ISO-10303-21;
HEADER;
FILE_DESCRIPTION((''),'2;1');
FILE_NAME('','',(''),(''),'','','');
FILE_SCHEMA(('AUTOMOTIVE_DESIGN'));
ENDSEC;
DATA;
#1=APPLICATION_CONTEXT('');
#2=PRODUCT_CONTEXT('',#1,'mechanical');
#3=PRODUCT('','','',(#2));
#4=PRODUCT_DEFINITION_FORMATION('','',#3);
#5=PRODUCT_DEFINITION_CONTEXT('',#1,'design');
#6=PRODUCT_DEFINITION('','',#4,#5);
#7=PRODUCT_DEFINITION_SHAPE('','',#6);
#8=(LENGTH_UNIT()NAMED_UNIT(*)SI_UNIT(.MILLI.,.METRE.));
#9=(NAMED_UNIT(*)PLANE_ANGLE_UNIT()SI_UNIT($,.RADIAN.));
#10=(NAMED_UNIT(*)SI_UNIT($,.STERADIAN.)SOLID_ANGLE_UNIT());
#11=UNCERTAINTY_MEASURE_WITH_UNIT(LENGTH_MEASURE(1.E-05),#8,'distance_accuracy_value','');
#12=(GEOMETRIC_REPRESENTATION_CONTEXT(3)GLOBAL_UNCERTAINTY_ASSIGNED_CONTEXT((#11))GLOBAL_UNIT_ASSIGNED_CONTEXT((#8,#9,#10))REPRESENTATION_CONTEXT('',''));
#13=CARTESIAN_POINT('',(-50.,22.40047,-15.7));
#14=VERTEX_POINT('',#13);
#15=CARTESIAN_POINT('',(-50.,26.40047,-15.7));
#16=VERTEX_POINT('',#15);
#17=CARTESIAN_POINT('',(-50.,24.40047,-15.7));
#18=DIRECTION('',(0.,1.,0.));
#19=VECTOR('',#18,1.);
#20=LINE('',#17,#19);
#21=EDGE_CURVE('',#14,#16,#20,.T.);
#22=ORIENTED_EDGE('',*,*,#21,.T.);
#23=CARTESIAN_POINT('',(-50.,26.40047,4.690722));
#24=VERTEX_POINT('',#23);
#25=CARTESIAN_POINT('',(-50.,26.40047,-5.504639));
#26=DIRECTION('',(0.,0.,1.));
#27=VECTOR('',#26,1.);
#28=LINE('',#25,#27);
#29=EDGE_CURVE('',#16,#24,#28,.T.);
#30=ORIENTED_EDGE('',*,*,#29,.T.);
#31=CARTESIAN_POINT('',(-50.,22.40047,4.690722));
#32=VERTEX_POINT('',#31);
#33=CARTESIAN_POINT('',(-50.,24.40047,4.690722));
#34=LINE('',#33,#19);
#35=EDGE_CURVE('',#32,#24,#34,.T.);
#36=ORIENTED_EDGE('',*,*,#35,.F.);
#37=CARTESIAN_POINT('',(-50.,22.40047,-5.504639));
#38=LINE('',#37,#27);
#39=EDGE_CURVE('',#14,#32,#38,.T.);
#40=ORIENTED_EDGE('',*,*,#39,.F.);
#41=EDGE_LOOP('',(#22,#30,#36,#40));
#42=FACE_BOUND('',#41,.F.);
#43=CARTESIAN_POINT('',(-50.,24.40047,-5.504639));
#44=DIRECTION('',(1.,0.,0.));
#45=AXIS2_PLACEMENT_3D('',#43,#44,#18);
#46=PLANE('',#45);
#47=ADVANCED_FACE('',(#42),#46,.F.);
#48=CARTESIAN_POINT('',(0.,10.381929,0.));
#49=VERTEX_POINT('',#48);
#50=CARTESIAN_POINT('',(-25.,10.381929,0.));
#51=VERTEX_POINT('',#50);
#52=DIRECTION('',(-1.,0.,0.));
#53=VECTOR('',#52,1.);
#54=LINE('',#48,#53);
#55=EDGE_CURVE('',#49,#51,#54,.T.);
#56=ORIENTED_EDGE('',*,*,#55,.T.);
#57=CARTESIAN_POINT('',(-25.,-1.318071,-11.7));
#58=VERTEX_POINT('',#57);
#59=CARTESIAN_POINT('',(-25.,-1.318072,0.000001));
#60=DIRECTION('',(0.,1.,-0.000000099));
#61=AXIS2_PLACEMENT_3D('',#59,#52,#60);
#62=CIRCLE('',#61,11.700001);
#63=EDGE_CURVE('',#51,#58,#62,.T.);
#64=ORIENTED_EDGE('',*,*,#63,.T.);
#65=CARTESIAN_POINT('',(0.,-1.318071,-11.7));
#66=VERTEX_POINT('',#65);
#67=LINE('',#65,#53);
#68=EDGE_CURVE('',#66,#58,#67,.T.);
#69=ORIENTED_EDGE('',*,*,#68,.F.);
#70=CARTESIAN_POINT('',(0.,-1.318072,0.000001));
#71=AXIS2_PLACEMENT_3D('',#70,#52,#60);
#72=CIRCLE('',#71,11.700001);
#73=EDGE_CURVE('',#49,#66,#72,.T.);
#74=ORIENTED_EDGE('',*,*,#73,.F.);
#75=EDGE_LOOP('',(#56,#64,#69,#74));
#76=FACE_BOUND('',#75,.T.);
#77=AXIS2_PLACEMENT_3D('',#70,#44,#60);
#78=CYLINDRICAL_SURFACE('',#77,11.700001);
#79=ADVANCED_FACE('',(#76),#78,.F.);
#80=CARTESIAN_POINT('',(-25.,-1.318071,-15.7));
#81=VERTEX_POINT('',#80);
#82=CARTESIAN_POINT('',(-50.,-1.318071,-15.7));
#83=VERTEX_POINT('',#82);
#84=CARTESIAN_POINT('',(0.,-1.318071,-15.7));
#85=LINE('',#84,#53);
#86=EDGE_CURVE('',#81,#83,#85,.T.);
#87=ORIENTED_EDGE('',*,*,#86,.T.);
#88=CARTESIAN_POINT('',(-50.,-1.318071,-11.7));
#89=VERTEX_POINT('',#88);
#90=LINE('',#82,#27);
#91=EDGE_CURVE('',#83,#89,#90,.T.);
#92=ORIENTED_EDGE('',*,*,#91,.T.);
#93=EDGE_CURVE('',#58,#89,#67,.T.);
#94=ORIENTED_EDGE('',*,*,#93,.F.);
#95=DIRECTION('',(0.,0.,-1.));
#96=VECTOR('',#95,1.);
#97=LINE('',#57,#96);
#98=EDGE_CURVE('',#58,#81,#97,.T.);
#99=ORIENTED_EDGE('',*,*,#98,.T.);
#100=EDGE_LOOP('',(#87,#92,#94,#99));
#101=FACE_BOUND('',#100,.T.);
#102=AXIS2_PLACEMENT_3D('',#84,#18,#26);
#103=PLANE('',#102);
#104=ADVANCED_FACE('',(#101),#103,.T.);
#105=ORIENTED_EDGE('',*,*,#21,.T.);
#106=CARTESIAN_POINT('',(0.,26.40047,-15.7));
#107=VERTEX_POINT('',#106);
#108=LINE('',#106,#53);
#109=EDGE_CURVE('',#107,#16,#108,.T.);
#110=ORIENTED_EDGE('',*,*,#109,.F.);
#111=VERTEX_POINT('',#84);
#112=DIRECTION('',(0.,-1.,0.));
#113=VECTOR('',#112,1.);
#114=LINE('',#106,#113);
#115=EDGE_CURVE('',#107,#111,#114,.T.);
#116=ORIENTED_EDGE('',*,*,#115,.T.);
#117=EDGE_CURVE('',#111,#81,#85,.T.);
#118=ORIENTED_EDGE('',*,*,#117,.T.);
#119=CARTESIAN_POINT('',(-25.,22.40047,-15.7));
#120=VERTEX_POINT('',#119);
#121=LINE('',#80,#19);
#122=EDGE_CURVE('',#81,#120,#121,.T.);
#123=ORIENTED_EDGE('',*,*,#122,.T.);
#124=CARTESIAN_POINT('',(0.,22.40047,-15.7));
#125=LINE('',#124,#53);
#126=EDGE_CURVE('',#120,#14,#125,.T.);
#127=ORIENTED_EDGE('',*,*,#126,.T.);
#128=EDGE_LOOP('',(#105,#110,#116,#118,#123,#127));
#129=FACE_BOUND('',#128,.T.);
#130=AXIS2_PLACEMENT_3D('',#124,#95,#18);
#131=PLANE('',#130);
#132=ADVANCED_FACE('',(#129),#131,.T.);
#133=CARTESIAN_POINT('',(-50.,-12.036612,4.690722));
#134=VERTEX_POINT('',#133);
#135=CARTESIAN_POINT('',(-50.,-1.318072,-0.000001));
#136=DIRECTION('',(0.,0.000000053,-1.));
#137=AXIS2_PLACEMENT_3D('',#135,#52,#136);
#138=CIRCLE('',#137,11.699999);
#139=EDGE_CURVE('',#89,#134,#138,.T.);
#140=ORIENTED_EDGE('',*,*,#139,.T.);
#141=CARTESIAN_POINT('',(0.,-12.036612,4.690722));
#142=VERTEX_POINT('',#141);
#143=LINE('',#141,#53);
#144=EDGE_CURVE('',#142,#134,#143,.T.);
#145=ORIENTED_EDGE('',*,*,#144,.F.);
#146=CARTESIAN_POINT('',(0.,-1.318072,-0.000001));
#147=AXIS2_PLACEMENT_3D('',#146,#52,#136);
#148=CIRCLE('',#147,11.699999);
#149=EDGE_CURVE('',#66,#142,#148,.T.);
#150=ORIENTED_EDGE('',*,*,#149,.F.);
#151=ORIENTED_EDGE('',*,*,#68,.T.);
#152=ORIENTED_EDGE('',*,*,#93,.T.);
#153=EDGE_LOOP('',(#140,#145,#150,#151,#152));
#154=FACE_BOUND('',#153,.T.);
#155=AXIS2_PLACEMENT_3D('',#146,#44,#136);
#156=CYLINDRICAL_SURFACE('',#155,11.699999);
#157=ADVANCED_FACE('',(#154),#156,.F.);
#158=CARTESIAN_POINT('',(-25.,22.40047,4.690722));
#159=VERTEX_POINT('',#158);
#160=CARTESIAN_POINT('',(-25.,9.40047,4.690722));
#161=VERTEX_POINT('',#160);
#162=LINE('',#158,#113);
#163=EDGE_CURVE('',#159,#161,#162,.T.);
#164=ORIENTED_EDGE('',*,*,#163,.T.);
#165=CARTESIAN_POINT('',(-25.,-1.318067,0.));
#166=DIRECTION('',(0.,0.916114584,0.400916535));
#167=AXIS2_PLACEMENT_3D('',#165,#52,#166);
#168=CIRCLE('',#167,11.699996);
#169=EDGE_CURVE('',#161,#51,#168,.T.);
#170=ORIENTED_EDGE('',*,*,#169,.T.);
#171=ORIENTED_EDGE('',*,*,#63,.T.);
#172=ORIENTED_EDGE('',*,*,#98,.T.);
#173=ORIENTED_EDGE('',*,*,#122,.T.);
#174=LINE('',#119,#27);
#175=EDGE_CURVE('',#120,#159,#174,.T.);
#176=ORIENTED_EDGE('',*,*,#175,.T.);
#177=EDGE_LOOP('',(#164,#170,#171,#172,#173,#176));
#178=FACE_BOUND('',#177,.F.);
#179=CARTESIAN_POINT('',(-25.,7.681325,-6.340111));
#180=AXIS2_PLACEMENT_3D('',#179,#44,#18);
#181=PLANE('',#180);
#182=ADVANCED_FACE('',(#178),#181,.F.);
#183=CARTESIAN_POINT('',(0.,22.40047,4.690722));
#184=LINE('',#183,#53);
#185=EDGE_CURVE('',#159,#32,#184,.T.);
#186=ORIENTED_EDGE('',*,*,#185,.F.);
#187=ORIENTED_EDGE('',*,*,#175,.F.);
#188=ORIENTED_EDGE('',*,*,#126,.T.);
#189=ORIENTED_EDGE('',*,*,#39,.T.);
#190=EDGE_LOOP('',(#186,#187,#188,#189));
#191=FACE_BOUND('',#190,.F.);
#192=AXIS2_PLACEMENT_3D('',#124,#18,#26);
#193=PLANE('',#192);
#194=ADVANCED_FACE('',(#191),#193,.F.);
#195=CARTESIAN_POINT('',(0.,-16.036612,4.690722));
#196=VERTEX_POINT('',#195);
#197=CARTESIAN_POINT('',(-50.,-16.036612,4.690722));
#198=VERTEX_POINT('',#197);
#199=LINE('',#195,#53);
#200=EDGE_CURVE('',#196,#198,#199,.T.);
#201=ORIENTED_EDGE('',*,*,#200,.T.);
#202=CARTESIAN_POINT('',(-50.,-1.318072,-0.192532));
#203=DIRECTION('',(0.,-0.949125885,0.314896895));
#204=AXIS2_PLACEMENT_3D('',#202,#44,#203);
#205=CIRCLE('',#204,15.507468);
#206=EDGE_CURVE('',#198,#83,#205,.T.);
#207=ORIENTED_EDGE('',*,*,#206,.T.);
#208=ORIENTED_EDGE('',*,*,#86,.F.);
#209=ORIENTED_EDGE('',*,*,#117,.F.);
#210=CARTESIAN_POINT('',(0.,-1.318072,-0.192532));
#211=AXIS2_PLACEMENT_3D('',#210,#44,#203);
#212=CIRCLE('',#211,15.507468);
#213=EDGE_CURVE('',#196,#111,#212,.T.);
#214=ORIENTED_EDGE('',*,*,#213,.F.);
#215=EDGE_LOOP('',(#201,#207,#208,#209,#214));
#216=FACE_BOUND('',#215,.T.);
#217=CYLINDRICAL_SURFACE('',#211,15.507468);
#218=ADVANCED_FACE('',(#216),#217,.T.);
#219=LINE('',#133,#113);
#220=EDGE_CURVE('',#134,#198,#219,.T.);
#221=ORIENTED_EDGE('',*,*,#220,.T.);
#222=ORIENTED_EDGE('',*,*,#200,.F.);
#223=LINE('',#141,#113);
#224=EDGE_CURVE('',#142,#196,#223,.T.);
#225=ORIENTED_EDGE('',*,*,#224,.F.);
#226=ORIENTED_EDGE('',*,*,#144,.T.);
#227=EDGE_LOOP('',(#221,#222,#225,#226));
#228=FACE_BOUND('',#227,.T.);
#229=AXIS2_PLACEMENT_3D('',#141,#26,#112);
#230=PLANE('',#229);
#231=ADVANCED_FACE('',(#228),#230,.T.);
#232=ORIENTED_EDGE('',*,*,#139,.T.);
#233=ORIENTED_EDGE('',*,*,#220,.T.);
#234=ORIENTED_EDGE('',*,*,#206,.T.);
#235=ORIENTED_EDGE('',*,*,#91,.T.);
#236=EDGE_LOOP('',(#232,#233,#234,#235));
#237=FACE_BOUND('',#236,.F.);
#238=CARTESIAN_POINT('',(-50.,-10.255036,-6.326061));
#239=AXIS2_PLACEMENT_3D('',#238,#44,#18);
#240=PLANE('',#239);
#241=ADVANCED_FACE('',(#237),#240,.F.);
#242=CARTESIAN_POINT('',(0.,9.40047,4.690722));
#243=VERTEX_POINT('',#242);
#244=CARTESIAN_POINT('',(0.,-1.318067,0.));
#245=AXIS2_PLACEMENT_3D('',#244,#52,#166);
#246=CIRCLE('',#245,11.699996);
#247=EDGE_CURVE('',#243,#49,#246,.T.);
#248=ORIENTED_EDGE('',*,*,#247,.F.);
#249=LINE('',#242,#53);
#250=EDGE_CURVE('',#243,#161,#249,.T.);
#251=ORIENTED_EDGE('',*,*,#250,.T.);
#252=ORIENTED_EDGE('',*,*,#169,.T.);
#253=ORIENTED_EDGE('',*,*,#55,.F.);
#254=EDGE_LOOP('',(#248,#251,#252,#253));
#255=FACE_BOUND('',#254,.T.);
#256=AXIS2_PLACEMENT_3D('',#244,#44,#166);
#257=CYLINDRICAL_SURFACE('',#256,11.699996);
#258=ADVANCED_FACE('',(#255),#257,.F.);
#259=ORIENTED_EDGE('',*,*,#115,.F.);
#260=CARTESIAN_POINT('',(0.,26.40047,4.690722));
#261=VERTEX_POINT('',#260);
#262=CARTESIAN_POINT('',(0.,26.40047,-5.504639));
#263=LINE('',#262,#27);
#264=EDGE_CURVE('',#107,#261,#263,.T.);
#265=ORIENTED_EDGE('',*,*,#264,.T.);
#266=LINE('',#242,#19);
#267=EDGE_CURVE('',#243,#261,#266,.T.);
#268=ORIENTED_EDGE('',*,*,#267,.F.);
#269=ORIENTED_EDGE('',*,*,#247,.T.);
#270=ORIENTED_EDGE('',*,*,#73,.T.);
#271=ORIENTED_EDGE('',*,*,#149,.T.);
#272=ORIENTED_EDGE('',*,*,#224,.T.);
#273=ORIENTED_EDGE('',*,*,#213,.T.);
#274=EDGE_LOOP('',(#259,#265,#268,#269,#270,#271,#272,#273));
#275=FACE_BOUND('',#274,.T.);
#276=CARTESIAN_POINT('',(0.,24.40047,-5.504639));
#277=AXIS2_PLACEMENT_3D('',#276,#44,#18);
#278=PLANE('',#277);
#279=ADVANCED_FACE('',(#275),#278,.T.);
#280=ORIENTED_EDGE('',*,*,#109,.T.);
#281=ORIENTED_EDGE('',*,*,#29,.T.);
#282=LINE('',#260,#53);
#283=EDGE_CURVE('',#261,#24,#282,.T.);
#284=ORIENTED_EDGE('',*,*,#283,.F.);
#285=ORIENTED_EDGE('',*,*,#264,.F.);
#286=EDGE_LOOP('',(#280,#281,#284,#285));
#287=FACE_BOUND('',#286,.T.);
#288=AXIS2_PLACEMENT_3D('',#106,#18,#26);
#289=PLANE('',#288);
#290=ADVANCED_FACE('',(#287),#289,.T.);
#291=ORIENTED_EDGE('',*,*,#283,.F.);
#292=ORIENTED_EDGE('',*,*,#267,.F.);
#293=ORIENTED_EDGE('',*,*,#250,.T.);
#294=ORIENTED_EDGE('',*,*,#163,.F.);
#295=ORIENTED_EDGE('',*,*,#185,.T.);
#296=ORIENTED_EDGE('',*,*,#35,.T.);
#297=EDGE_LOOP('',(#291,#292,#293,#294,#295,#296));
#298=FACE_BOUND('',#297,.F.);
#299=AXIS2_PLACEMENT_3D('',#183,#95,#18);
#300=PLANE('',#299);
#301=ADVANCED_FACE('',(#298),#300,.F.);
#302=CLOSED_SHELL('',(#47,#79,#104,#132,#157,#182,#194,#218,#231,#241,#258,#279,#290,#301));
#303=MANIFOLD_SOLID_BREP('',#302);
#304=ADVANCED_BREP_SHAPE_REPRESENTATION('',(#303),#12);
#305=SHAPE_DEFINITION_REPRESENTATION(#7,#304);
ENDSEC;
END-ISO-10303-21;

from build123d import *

# Parameters (mm, degrees)
F1_DEPTH = 25
F2_DEPTH = 50
F0_W     = 4
F0_H     = 20.390722
F3_DEPTH = 50


with BuildPart() as f1:
    # F0 (on Right) → F1 (new body)
    with BuildSketch(Plane.YZ):
        with BuildLine():
            ThreePointArc((9.40047, 4.690722), (10.133936, 2.39615), (10.381929, 0))
            ThreePointArc((10.381929, 0), (6.955078, -8.273149), (-1.318071, -11.7))
            Line((-1.318071, -11.7), (-1.318071, -15.7))
            ThreePointArc((-1.318071, -15.7), (11.25588, -9.268728), (13.40047, 4.690722))
            Line((13.40047, 4.690722), (9.40047, 4.690722))
        make_face()
        with BuildLine():
            Line((22.40047, 4.690722), (13.40047, 4.690722))
            ThreePointArc((13.40047, 4.690722), (11.25588, -9.268728), (-1.318071, -15.7))
            Line((-1.318071, -15.7), (22.40047, -15.7))
            Line((22.40047, -15.7), (22.40047, 4.690722))
        make_face()
    extrude(amount=-F1_DEPTH)

    # F0 (on Right) → F2 (join)
    with BuildSketch(Plane.YZ):
        with BuildLine():
            Line((-1.318071, -15.7), (-1.318071, -11.7))
            ThreePointArc((-1.318071, -11.7), (-11.110197, -6.403458), (-12.036612, 4.690722))
            Line((-12.036612, 4.690722), (-16.036612, 4.690722))
            ThreePointArc((-16.036612, 4.690722), (-13.892023, -9.268728), (-1.318071, -15.7))
        make_face()
    extrude(amount=-F2_DEPTH)

    # F0 (on Right) → F3 (join)
    with BuildSketch(Plane.YZ):
        with Locations((24.40047, -5.504639)):
            Rectangle(F0_W, F0_H)
    extrude(amount=-F3_DEPTH)


with BuildPart() as f4_1:
    # F4: copy of F1
    add(f1.part)


with BuildPart() as f5_1:
    # F5: instance of F4_1
    add(f4_1.part.mirror(Plane(origin=(0, 10.566171, -6.716884), x_dir=(0, 1, 0), z_dir=(1, 0, 0))))


solid = f1.part
